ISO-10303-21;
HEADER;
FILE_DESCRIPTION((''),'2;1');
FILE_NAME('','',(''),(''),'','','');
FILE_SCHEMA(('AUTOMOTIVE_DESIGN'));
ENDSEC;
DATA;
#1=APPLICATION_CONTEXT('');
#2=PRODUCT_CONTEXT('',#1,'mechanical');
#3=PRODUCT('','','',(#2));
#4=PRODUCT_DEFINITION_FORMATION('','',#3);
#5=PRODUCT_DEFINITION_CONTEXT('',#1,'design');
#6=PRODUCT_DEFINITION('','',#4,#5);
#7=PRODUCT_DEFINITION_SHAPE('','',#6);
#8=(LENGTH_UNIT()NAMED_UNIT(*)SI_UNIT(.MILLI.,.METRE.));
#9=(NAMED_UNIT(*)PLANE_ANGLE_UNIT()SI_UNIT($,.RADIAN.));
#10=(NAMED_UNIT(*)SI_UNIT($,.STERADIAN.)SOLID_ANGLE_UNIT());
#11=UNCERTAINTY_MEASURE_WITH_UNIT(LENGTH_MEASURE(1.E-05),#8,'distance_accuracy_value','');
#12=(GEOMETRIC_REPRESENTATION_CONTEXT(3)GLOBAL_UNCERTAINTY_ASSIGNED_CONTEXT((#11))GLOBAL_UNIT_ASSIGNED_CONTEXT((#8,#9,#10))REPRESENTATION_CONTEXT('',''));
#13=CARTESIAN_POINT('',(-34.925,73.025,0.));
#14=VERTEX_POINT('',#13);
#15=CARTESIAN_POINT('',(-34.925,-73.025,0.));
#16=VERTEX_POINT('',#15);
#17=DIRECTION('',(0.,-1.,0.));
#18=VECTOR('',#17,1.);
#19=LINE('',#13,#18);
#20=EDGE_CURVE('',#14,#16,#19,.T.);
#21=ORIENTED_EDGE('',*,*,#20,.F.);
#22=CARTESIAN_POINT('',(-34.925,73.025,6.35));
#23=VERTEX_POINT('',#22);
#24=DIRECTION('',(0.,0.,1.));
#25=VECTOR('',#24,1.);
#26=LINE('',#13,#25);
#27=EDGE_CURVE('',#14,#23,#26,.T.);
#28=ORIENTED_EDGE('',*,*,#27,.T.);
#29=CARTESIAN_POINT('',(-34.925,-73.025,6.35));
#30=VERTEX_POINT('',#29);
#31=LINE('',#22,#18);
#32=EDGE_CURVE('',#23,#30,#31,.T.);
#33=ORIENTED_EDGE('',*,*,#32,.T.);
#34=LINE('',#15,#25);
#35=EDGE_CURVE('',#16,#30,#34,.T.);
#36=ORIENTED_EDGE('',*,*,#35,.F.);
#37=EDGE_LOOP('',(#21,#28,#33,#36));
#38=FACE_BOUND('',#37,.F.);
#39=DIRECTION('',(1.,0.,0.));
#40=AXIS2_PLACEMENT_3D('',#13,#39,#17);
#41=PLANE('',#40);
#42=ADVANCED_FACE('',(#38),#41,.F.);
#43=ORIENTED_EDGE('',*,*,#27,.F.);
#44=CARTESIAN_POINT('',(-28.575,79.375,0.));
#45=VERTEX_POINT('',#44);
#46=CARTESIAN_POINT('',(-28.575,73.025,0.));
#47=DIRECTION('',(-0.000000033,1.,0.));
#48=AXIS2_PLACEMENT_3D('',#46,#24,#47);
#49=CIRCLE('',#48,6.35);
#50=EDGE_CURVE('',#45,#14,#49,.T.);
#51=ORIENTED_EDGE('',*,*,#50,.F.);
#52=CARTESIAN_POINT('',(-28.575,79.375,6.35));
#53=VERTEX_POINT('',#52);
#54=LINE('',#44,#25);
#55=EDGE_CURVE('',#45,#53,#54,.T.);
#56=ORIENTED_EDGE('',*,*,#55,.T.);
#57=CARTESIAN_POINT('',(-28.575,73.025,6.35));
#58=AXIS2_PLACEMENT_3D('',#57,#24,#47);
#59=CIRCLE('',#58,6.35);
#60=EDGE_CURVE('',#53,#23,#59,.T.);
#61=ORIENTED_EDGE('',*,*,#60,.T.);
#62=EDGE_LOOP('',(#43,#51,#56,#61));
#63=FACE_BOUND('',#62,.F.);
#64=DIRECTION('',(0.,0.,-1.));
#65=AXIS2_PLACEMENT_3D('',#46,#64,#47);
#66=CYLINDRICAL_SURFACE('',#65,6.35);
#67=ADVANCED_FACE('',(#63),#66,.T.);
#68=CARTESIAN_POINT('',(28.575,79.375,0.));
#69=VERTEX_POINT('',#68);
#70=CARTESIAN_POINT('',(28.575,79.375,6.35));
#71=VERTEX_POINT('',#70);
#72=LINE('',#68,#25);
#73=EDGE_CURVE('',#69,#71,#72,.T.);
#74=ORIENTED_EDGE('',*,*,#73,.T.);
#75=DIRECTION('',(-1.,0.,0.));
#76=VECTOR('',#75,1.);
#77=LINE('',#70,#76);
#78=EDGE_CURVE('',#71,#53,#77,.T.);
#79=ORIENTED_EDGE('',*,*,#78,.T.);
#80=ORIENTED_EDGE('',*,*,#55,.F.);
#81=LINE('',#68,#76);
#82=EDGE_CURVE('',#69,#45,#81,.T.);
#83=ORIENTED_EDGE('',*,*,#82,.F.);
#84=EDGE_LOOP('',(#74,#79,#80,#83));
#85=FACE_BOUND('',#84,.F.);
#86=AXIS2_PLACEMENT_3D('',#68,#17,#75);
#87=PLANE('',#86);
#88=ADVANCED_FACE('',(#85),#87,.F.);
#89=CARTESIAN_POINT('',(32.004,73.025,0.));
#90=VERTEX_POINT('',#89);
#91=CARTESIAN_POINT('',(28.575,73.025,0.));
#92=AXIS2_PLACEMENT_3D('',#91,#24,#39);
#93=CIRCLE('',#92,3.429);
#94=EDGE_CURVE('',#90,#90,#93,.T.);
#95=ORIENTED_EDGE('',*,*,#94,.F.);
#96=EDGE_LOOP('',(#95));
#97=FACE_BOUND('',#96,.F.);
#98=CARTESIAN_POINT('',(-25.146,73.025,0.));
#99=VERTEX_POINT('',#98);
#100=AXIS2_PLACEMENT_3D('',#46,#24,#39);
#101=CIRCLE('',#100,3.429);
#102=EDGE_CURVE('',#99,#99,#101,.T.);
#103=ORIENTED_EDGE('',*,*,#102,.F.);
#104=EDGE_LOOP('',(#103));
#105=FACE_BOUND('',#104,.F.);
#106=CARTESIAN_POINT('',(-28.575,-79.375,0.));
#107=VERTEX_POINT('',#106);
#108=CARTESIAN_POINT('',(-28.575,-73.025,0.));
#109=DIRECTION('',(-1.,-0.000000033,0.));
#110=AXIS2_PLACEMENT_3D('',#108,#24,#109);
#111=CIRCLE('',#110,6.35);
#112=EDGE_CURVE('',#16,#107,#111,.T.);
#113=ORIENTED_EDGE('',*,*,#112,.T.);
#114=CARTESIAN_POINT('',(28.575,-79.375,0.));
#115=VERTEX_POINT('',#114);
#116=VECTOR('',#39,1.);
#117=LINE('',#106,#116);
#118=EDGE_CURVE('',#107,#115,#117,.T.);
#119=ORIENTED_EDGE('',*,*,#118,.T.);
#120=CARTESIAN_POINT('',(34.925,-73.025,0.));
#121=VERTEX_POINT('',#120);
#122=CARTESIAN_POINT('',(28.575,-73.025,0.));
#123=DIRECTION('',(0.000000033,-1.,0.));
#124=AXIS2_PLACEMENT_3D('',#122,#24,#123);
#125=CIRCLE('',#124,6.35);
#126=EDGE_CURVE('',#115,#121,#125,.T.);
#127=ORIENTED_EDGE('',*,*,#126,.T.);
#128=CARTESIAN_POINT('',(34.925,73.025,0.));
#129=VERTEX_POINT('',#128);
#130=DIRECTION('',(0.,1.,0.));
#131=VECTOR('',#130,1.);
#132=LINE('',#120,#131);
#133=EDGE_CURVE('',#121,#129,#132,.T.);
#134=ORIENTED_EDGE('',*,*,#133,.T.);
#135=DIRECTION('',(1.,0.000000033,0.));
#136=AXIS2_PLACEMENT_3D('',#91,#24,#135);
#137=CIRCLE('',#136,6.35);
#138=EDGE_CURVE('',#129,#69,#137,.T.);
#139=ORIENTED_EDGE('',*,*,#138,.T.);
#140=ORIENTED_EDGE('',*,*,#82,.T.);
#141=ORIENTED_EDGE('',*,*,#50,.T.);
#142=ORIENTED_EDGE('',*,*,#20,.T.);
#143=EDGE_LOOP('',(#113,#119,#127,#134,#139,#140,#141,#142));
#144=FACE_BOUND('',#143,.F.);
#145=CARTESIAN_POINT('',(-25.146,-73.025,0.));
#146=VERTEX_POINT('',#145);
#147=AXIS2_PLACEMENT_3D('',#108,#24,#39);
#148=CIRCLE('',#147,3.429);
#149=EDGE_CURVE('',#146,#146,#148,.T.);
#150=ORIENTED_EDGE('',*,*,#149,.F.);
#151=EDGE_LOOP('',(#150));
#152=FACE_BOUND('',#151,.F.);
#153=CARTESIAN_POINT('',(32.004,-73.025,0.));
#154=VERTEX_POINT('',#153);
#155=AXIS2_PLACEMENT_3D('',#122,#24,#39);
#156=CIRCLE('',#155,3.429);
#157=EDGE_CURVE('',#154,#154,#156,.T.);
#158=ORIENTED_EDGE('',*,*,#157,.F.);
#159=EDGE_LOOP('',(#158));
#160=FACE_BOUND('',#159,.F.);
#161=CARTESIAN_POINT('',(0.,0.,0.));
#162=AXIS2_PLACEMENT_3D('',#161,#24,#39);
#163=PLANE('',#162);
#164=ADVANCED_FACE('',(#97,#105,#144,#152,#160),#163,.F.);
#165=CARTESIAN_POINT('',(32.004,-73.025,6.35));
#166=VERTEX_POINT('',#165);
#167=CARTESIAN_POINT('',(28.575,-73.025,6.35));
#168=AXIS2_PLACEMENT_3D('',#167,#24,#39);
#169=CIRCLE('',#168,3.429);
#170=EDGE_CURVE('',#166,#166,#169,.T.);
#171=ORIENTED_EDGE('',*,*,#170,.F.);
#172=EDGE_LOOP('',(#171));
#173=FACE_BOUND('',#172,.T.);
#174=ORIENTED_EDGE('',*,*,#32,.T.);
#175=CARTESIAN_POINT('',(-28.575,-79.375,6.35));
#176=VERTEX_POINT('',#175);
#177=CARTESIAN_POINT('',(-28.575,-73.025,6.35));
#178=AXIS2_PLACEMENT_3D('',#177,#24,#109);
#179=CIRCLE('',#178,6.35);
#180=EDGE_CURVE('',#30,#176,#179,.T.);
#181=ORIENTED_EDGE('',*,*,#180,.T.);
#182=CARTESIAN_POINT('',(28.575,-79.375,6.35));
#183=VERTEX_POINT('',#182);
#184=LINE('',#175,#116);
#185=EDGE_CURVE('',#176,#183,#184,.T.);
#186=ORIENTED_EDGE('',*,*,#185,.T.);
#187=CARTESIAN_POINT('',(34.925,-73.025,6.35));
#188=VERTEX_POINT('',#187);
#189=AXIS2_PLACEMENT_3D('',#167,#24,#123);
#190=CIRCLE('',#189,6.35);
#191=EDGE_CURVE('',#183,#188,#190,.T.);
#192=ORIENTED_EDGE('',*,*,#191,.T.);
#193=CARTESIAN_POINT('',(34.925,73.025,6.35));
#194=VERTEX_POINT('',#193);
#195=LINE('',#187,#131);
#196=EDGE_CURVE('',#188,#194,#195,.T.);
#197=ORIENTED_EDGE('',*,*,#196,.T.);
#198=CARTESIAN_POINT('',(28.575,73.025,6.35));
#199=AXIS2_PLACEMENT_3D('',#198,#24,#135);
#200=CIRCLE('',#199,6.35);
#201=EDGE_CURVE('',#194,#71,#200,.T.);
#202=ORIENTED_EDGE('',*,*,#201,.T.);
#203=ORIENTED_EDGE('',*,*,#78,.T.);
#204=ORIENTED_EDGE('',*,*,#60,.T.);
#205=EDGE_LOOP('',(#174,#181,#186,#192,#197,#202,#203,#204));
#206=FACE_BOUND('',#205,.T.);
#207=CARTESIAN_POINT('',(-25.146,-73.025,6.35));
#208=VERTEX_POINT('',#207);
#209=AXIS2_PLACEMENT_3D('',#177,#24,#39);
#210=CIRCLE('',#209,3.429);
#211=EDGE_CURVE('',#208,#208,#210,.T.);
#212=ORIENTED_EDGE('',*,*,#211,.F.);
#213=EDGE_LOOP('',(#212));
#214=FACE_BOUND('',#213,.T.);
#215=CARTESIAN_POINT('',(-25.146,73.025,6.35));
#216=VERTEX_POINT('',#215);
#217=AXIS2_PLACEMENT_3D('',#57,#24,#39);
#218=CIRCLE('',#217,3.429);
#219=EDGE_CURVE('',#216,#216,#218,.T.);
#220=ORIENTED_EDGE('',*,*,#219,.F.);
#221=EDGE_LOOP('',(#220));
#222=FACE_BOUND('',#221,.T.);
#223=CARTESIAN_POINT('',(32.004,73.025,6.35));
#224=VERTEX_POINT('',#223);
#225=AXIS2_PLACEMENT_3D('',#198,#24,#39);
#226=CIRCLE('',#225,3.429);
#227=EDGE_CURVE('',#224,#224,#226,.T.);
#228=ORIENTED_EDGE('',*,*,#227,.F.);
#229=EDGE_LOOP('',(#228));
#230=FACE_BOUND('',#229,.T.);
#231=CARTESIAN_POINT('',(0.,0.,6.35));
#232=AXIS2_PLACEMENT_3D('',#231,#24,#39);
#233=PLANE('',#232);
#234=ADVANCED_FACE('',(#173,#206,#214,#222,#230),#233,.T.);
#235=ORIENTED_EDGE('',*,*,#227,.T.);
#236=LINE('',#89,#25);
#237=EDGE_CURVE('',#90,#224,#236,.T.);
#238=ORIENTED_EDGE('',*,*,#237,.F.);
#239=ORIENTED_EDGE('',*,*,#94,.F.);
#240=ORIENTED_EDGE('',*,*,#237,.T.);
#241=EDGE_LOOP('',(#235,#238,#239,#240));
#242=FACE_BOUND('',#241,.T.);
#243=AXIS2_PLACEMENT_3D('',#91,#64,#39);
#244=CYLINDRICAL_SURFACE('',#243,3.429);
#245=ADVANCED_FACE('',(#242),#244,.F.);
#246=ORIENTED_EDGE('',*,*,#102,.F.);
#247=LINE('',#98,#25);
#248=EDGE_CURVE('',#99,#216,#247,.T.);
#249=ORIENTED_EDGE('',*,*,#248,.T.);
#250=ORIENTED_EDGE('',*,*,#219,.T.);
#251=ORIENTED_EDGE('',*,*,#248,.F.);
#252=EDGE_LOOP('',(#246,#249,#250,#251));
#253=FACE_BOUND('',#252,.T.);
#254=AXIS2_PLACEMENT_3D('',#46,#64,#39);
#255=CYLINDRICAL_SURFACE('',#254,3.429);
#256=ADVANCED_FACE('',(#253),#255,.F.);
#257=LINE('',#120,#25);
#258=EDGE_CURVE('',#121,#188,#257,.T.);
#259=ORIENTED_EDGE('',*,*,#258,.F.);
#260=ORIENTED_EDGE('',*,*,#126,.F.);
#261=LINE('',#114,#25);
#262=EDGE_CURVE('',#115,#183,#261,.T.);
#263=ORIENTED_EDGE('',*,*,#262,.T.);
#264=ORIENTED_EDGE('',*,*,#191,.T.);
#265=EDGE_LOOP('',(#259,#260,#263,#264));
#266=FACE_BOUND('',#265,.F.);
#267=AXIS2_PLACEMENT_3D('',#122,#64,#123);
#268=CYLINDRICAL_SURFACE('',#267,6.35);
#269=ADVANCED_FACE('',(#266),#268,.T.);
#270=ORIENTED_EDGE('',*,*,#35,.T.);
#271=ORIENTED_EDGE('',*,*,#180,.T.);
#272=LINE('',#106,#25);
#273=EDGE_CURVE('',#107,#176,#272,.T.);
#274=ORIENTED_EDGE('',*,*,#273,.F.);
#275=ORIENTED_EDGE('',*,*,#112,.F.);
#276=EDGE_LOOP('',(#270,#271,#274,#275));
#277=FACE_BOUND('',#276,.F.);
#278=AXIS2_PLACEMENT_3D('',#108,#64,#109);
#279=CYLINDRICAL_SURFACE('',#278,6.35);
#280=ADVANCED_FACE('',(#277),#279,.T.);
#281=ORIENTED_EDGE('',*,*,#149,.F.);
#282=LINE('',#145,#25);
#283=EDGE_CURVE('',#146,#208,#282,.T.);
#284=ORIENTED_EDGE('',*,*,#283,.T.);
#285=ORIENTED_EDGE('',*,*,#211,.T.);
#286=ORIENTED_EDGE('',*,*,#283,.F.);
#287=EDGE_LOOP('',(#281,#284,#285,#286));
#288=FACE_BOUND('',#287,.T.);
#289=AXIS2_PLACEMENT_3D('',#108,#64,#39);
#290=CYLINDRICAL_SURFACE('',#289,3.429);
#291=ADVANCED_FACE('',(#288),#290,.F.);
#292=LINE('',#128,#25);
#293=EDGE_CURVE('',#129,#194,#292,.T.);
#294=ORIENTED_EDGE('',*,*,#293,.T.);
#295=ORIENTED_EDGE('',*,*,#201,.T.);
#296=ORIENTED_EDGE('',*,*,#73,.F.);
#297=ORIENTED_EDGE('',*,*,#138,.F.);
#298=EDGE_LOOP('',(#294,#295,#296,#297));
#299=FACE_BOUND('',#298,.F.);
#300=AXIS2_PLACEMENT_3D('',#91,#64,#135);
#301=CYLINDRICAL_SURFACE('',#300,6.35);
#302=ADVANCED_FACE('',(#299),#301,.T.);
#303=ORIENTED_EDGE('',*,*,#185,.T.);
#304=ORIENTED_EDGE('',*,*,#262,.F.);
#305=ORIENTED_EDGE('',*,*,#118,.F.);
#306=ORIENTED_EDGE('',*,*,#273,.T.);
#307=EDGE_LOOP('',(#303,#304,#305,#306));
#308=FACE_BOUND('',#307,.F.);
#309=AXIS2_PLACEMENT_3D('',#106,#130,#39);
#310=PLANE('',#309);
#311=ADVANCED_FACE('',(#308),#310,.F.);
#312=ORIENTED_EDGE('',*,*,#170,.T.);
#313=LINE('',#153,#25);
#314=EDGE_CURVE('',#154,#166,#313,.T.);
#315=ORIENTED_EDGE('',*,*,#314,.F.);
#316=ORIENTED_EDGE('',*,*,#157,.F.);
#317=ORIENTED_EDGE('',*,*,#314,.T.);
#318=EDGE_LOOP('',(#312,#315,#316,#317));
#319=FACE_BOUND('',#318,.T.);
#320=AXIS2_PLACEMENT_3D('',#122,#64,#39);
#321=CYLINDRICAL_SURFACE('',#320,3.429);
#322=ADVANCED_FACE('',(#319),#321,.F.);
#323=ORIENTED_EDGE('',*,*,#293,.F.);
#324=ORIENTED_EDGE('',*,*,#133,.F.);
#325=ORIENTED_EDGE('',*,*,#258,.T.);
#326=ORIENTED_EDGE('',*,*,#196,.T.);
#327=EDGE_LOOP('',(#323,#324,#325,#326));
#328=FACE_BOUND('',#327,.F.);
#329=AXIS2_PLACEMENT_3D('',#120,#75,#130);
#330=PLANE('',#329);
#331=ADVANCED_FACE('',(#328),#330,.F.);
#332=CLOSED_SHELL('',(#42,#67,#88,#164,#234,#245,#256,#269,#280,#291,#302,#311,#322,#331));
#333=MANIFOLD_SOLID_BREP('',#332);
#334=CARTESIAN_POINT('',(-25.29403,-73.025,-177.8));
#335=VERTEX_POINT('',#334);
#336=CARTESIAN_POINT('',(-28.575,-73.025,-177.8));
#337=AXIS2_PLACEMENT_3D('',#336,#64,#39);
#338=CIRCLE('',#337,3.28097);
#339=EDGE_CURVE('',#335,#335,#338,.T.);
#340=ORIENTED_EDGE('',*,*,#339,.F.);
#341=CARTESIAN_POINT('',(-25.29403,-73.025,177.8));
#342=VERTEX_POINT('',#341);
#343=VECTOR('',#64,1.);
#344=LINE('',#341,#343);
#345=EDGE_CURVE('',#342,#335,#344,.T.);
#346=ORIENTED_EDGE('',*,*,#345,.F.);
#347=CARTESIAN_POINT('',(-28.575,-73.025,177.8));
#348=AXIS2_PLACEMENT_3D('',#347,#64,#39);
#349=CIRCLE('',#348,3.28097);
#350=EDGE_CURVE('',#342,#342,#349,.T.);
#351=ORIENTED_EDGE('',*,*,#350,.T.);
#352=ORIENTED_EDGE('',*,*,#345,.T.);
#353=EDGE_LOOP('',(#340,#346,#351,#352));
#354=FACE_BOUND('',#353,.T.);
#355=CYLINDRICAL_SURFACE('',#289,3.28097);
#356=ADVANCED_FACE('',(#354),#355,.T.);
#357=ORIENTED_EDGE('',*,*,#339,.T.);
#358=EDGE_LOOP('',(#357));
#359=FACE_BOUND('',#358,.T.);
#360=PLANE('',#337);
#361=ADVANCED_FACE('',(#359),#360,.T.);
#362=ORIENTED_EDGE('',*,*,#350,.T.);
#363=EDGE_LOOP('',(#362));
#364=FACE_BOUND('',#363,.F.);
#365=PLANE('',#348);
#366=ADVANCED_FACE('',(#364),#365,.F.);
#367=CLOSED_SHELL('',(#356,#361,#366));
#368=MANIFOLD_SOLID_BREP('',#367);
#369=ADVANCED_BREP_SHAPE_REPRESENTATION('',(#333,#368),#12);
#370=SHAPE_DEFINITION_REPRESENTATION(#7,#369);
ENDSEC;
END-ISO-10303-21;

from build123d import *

# Parameters (mm, degrees)
F0_R     = 3.429
F1_DEPTH = 6.35
F2_R     = 3.28097
F3_DEPTH = 177.8


with BuildPart() as f1:
    # F0 (on Top) → F1 (new body)
    with BuildSketch(Plane.XY):
        with BuildLine():
            Line((28.575, 79.375), (0, 79.375))
            Line((0, 79.375), (-28.575, 79.375))
            ThreePointArc((-28.575, 79.375), (-33.065128, 77.515128), (-34.925, 73.025))
            Line((-34.925, 73.025), (-34.925, 0))
            Line((-34.925, 0), (-34.925, -73.025))
            ThreePointArc((-34.925, -73.025), (-33.065128, -77.515128), (-28.575, -79.375))
            Line((-28.575, -79.375), (0, -79.375))
            Line((0, -79.375), (28.575, -79.375))
            ThreePointArc((28.575, -79.375), (33.065128, -77.515128), (34.925, -73.025))
            Line((34.925, -73.025), (34.925, 0))
            Line((34.925, 0), (34.925, 73.025))
            ThreePointArc((34.925, 73.025), (33.065128, 77.515128), (28.575, 79.375))
        make_face()
        with Locations((-28.575, -73.025)):
            Circle(F0_R, mode=Mode.SUBTRACT)
        with Locations((28.575, -73.025)):
            Circle(F0_R, mode=Mode.SUBTRACT)
        with Locations((-28.575, 73.025)):
            Circle(F0_R, mode=Mode.SUBTRACT)
        with Locations((28.575, 73.025)):
            Circle(F0_R, mode=Mode.SUBTRACT)
    extrude(amount=F1_DEPTH)


with BuildPart() as f3:
    # F2 (on face) → F3 (new body, symmetric)
    with BuildSketch(Plane(origin=(0, 0, 0), x_dir=(1, 0, 0), z_dir=(0, 0, -1))):
        with Locations((-28.575, 73.025)):
            Circle(F2_R)
    extrude(amount=F3_DEPTH, both=True)


solid = Compound([f1.part, f3.part])
